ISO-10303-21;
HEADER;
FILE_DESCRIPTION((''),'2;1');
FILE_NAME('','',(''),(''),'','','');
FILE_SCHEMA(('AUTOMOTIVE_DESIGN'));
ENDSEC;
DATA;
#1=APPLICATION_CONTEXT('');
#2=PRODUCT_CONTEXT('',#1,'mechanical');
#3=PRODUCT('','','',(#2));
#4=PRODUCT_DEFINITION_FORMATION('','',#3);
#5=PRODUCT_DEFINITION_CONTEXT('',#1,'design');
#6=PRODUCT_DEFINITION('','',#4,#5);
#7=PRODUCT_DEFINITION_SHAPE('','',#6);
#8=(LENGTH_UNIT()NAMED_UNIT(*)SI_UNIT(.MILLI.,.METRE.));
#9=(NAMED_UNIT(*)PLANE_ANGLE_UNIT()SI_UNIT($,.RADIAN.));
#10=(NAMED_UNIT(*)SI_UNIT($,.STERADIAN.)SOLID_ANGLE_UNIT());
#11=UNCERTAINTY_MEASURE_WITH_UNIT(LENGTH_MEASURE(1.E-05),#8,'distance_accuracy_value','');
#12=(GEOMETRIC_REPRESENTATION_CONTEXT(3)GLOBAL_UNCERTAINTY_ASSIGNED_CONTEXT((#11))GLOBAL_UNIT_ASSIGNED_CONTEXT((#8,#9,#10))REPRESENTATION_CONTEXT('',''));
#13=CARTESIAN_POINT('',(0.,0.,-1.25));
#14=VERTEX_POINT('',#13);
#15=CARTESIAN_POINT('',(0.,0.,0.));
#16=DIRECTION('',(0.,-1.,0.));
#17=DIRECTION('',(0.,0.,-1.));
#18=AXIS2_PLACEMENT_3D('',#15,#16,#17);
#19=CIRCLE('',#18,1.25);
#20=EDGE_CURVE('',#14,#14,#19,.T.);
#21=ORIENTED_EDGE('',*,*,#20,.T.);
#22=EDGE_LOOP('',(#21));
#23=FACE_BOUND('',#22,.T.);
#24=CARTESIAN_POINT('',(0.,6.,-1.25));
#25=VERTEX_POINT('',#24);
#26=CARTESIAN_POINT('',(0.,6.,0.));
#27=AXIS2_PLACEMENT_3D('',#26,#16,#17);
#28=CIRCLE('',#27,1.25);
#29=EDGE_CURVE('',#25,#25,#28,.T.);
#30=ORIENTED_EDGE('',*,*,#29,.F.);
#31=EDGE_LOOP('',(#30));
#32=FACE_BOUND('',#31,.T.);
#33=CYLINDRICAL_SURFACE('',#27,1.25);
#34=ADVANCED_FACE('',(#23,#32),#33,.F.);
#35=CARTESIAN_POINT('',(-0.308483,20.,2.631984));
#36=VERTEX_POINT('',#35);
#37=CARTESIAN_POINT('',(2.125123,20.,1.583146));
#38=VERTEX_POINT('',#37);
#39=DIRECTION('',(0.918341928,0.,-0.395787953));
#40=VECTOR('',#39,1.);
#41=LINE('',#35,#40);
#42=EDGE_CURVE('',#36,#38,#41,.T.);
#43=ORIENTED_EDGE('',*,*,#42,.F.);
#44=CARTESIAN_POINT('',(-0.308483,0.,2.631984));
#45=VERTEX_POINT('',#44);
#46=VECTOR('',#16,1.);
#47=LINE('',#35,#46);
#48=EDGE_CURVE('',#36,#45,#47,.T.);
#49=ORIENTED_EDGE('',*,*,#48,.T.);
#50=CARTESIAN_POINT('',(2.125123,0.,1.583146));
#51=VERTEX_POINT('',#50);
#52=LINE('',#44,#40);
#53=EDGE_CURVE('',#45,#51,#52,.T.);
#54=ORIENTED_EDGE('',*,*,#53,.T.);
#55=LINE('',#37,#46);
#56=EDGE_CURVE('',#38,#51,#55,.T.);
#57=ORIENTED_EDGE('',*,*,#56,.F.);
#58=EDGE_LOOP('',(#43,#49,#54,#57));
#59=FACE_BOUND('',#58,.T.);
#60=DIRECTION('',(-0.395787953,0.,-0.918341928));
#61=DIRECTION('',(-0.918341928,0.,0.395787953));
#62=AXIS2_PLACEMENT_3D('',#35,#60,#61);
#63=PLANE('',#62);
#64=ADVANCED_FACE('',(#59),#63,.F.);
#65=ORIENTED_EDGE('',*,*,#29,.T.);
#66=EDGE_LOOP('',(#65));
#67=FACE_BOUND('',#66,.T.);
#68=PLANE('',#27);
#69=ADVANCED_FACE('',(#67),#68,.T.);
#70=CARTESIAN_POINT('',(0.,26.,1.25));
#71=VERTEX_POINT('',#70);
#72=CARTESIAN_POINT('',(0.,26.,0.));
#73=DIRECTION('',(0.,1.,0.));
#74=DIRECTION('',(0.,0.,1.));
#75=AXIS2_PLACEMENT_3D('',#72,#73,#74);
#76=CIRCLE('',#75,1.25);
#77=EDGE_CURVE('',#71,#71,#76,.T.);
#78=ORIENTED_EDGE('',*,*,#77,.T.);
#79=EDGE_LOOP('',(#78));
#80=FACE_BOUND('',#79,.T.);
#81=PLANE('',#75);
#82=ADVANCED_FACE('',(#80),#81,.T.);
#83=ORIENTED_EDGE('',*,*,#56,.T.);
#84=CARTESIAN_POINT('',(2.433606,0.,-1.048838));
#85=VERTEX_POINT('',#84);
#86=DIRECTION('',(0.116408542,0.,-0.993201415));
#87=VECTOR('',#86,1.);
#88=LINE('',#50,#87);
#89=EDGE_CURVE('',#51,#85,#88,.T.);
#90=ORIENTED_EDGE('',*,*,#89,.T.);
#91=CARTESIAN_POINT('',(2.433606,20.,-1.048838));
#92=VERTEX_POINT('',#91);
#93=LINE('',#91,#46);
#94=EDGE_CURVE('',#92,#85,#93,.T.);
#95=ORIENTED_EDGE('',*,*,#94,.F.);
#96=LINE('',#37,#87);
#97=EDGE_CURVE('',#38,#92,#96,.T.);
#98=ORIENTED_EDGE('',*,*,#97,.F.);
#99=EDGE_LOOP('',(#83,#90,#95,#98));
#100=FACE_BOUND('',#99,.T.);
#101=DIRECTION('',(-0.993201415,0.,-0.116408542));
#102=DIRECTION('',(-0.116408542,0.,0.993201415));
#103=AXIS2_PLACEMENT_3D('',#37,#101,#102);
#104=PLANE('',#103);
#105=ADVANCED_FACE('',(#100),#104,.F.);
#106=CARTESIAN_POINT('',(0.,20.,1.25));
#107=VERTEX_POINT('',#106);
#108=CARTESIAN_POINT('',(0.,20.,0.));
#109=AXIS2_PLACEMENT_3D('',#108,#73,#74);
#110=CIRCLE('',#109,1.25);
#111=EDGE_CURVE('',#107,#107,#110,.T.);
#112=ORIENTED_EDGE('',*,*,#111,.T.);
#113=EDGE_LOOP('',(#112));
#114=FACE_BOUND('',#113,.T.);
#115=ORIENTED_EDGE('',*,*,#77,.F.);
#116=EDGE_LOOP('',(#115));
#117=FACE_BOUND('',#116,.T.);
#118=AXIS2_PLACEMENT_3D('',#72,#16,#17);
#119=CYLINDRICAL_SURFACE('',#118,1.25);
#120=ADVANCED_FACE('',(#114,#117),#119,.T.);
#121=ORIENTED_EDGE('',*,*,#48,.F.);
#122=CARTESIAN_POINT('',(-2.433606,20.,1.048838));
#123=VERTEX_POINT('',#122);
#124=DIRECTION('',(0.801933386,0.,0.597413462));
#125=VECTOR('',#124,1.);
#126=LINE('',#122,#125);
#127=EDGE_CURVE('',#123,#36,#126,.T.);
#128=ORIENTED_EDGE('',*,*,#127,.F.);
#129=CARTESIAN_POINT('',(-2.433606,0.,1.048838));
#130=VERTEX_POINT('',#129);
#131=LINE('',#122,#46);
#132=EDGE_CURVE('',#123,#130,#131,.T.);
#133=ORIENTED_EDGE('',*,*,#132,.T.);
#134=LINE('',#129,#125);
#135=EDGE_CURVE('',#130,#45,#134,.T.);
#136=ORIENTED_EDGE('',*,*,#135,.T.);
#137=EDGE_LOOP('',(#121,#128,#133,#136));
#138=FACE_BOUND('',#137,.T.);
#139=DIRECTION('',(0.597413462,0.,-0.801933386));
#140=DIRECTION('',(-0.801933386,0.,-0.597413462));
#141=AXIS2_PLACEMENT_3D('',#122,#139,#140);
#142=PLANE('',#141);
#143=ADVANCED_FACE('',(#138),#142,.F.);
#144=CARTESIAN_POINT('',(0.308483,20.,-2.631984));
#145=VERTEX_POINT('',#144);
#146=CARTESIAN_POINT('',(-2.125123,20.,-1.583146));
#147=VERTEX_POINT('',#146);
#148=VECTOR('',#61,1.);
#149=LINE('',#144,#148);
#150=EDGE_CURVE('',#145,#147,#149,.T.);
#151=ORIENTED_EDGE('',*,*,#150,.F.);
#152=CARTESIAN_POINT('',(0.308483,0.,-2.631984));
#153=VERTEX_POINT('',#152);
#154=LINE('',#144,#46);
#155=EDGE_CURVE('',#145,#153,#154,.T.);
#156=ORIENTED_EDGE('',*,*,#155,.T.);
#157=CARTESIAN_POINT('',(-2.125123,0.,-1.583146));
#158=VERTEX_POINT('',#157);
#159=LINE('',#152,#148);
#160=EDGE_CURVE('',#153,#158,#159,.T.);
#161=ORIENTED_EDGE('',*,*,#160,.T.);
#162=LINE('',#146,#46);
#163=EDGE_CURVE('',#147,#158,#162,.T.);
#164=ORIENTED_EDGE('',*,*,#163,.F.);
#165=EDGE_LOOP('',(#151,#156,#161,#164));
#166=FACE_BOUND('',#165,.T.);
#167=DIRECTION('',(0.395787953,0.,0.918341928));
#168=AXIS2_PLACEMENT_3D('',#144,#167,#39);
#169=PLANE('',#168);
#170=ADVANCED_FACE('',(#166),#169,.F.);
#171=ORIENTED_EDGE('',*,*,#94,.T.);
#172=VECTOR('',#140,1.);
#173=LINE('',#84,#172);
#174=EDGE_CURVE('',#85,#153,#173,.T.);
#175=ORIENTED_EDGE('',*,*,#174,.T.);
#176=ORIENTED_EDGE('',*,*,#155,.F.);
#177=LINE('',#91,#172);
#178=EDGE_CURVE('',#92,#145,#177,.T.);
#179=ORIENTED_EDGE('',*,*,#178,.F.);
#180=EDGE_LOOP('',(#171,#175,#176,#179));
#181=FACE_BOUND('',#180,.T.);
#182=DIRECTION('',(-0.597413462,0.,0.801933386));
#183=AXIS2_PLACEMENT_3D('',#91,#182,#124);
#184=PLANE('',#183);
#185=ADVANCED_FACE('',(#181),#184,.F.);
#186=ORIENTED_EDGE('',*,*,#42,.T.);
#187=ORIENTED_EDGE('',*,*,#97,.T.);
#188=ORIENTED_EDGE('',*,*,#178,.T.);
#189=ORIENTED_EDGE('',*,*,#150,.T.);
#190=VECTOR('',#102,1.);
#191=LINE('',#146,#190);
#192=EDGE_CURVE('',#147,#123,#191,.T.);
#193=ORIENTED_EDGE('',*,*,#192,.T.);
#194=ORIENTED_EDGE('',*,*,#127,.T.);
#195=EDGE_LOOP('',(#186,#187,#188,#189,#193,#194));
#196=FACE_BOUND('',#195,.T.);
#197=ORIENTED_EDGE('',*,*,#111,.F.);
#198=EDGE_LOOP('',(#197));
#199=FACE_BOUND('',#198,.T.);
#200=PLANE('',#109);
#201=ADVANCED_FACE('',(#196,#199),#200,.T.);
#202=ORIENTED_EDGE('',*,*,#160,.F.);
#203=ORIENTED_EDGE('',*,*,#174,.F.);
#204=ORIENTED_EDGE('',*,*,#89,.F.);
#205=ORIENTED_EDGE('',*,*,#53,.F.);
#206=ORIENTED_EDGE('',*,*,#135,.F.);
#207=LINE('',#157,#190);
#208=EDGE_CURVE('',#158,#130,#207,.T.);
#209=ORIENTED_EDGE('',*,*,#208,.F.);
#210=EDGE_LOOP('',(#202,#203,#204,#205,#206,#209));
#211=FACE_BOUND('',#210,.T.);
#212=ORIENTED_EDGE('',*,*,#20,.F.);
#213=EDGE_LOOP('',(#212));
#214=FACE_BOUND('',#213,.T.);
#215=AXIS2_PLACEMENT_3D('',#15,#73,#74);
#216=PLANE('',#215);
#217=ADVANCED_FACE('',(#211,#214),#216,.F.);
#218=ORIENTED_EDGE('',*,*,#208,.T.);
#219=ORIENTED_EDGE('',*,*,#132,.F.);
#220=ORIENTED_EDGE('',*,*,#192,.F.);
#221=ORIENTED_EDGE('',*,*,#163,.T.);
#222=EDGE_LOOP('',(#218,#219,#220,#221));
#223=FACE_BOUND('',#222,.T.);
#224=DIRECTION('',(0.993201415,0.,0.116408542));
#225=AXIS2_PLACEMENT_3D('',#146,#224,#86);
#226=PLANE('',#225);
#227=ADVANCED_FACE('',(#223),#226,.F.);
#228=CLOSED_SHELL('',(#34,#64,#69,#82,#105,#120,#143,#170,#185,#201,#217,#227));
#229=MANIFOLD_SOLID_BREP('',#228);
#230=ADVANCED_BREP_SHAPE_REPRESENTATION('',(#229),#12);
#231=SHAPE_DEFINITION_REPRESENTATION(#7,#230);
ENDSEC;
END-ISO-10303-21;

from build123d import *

# Parameters (mm, degrees)
EXTRUDE_1_DEPTH     = 20
SKETCH_2_R          = 1.25
EXTRUDE_2_DEPTH     = 6
SKETCH_3_R          = 1.25
CUT_EXTRUDE_1_DEPTH = 6


with BuildPart() as part:
    # 草图1 → 凸台-拉伸1 (new body)
    with BuildSketch(Plane(origin=(0, 0, 0), x_dir=(1, 0, 0), z_dir=(0, 1, 0))):
        Polygon((2.125123473, -1.583145674), (2.433606108, 1.048838076), (0.308482635, 2.631983751), (-2.125123473, 1.583145674), (-2.433606108, -1.048838076), (-0.308482635, -2.631983751), align=None)
    extrude(amount=EXTRUDE_1_DEPTH)

    # 草图2 → 凸台-拉伸2 (add)
    with BuildSketch(Plane(origin=(0, 20, 0), x_dir=(1, 0, 0), z_dir=(0, 1, 0))):
        Circle(SKETCH_2_R)
    extrude(amount=EXTRUDE_2_DEPTH)

    # 草图3 → 切除-拉伸1 (cut)
    with BuildSketch(Plane.XZ):
        Circle(SKETCH_3_R)
    extrude(amount=-CUT_EXTRUDE_1_DEPTH, mode=Mode.SUBTRACT)


solid = part.part
